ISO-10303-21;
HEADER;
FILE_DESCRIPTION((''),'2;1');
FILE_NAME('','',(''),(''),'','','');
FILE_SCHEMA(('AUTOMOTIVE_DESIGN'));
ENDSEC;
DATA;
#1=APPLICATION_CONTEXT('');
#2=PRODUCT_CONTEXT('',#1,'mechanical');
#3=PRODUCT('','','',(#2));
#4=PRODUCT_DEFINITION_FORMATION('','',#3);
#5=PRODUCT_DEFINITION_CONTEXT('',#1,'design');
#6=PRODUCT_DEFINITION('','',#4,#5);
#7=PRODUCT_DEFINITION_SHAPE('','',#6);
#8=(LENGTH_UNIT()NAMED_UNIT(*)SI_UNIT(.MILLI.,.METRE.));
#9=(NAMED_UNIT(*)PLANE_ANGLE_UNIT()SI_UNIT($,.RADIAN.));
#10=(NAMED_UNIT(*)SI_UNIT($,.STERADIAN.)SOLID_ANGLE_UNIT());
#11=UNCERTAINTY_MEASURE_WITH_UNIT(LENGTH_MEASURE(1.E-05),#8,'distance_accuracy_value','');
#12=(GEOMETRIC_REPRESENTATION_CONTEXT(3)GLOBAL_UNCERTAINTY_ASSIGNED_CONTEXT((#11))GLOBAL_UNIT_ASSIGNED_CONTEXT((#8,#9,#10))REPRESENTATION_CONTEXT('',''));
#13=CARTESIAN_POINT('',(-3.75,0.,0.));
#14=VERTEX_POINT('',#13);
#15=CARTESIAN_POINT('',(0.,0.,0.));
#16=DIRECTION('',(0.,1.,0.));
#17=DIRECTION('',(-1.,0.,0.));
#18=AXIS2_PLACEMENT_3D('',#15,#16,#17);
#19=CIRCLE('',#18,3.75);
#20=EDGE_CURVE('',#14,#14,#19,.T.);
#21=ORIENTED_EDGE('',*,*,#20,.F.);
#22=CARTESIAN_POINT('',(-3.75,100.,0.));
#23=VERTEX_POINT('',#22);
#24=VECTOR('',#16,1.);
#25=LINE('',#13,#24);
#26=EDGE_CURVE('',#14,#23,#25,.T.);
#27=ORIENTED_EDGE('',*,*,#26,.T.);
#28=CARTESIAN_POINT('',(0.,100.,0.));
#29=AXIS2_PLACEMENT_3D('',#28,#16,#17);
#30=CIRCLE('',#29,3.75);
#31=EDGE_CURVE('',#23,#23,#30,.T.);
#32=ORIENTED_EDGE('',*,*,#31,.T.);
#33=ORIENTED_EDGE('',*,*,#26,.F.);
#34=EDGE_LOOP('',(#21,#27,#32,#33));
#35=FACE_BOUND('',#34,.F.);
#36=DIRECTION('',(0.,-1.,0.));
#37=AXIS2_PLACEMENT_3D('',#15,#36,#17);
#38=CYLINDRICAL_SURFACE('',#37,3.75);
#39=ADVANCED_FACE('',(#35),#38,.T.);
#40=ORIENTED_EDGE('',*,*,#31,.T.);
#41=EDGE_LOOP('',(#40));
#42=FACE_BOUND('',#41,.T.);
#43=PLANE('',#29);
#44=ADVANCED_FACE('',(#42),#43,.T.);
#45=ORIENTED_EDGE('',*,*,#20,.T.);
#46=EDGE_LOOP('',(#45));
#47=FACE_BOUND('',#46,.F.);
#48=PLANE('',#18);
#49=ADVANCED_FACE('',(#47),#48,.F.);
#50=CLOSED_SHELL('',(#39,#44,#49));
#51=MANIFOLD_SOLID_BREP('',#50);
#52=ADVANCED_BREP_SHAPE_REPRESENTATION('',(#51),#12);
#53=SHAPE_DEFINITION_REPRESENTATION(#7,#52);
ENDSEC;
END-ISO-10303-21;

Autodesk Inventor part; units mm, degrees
ref_plane "YZ Plane" through (0, 0, 0) normal (1, 0, 0) x (0, 1, 0)
ref_plane "XZ Plane" through (0, 0, 0) normal (0, 1, 0) x (-1, 0, 0)
ref_plane "XY Plane" through (0, 0, 0) normal (0, 0, 1) x (1, 0, 0)
sketch "Skizze1" plane through (0, 0, 0) normal (0, 1, 0) x (-1, 0, 0)
  circle A0 centre (0, 0) radius 3.75
  dimension "d0" = 7.5
extrude "Extrusion1" add sketch "Skizze1" along normal blind 100
properties part number "kolbenzapfen"
